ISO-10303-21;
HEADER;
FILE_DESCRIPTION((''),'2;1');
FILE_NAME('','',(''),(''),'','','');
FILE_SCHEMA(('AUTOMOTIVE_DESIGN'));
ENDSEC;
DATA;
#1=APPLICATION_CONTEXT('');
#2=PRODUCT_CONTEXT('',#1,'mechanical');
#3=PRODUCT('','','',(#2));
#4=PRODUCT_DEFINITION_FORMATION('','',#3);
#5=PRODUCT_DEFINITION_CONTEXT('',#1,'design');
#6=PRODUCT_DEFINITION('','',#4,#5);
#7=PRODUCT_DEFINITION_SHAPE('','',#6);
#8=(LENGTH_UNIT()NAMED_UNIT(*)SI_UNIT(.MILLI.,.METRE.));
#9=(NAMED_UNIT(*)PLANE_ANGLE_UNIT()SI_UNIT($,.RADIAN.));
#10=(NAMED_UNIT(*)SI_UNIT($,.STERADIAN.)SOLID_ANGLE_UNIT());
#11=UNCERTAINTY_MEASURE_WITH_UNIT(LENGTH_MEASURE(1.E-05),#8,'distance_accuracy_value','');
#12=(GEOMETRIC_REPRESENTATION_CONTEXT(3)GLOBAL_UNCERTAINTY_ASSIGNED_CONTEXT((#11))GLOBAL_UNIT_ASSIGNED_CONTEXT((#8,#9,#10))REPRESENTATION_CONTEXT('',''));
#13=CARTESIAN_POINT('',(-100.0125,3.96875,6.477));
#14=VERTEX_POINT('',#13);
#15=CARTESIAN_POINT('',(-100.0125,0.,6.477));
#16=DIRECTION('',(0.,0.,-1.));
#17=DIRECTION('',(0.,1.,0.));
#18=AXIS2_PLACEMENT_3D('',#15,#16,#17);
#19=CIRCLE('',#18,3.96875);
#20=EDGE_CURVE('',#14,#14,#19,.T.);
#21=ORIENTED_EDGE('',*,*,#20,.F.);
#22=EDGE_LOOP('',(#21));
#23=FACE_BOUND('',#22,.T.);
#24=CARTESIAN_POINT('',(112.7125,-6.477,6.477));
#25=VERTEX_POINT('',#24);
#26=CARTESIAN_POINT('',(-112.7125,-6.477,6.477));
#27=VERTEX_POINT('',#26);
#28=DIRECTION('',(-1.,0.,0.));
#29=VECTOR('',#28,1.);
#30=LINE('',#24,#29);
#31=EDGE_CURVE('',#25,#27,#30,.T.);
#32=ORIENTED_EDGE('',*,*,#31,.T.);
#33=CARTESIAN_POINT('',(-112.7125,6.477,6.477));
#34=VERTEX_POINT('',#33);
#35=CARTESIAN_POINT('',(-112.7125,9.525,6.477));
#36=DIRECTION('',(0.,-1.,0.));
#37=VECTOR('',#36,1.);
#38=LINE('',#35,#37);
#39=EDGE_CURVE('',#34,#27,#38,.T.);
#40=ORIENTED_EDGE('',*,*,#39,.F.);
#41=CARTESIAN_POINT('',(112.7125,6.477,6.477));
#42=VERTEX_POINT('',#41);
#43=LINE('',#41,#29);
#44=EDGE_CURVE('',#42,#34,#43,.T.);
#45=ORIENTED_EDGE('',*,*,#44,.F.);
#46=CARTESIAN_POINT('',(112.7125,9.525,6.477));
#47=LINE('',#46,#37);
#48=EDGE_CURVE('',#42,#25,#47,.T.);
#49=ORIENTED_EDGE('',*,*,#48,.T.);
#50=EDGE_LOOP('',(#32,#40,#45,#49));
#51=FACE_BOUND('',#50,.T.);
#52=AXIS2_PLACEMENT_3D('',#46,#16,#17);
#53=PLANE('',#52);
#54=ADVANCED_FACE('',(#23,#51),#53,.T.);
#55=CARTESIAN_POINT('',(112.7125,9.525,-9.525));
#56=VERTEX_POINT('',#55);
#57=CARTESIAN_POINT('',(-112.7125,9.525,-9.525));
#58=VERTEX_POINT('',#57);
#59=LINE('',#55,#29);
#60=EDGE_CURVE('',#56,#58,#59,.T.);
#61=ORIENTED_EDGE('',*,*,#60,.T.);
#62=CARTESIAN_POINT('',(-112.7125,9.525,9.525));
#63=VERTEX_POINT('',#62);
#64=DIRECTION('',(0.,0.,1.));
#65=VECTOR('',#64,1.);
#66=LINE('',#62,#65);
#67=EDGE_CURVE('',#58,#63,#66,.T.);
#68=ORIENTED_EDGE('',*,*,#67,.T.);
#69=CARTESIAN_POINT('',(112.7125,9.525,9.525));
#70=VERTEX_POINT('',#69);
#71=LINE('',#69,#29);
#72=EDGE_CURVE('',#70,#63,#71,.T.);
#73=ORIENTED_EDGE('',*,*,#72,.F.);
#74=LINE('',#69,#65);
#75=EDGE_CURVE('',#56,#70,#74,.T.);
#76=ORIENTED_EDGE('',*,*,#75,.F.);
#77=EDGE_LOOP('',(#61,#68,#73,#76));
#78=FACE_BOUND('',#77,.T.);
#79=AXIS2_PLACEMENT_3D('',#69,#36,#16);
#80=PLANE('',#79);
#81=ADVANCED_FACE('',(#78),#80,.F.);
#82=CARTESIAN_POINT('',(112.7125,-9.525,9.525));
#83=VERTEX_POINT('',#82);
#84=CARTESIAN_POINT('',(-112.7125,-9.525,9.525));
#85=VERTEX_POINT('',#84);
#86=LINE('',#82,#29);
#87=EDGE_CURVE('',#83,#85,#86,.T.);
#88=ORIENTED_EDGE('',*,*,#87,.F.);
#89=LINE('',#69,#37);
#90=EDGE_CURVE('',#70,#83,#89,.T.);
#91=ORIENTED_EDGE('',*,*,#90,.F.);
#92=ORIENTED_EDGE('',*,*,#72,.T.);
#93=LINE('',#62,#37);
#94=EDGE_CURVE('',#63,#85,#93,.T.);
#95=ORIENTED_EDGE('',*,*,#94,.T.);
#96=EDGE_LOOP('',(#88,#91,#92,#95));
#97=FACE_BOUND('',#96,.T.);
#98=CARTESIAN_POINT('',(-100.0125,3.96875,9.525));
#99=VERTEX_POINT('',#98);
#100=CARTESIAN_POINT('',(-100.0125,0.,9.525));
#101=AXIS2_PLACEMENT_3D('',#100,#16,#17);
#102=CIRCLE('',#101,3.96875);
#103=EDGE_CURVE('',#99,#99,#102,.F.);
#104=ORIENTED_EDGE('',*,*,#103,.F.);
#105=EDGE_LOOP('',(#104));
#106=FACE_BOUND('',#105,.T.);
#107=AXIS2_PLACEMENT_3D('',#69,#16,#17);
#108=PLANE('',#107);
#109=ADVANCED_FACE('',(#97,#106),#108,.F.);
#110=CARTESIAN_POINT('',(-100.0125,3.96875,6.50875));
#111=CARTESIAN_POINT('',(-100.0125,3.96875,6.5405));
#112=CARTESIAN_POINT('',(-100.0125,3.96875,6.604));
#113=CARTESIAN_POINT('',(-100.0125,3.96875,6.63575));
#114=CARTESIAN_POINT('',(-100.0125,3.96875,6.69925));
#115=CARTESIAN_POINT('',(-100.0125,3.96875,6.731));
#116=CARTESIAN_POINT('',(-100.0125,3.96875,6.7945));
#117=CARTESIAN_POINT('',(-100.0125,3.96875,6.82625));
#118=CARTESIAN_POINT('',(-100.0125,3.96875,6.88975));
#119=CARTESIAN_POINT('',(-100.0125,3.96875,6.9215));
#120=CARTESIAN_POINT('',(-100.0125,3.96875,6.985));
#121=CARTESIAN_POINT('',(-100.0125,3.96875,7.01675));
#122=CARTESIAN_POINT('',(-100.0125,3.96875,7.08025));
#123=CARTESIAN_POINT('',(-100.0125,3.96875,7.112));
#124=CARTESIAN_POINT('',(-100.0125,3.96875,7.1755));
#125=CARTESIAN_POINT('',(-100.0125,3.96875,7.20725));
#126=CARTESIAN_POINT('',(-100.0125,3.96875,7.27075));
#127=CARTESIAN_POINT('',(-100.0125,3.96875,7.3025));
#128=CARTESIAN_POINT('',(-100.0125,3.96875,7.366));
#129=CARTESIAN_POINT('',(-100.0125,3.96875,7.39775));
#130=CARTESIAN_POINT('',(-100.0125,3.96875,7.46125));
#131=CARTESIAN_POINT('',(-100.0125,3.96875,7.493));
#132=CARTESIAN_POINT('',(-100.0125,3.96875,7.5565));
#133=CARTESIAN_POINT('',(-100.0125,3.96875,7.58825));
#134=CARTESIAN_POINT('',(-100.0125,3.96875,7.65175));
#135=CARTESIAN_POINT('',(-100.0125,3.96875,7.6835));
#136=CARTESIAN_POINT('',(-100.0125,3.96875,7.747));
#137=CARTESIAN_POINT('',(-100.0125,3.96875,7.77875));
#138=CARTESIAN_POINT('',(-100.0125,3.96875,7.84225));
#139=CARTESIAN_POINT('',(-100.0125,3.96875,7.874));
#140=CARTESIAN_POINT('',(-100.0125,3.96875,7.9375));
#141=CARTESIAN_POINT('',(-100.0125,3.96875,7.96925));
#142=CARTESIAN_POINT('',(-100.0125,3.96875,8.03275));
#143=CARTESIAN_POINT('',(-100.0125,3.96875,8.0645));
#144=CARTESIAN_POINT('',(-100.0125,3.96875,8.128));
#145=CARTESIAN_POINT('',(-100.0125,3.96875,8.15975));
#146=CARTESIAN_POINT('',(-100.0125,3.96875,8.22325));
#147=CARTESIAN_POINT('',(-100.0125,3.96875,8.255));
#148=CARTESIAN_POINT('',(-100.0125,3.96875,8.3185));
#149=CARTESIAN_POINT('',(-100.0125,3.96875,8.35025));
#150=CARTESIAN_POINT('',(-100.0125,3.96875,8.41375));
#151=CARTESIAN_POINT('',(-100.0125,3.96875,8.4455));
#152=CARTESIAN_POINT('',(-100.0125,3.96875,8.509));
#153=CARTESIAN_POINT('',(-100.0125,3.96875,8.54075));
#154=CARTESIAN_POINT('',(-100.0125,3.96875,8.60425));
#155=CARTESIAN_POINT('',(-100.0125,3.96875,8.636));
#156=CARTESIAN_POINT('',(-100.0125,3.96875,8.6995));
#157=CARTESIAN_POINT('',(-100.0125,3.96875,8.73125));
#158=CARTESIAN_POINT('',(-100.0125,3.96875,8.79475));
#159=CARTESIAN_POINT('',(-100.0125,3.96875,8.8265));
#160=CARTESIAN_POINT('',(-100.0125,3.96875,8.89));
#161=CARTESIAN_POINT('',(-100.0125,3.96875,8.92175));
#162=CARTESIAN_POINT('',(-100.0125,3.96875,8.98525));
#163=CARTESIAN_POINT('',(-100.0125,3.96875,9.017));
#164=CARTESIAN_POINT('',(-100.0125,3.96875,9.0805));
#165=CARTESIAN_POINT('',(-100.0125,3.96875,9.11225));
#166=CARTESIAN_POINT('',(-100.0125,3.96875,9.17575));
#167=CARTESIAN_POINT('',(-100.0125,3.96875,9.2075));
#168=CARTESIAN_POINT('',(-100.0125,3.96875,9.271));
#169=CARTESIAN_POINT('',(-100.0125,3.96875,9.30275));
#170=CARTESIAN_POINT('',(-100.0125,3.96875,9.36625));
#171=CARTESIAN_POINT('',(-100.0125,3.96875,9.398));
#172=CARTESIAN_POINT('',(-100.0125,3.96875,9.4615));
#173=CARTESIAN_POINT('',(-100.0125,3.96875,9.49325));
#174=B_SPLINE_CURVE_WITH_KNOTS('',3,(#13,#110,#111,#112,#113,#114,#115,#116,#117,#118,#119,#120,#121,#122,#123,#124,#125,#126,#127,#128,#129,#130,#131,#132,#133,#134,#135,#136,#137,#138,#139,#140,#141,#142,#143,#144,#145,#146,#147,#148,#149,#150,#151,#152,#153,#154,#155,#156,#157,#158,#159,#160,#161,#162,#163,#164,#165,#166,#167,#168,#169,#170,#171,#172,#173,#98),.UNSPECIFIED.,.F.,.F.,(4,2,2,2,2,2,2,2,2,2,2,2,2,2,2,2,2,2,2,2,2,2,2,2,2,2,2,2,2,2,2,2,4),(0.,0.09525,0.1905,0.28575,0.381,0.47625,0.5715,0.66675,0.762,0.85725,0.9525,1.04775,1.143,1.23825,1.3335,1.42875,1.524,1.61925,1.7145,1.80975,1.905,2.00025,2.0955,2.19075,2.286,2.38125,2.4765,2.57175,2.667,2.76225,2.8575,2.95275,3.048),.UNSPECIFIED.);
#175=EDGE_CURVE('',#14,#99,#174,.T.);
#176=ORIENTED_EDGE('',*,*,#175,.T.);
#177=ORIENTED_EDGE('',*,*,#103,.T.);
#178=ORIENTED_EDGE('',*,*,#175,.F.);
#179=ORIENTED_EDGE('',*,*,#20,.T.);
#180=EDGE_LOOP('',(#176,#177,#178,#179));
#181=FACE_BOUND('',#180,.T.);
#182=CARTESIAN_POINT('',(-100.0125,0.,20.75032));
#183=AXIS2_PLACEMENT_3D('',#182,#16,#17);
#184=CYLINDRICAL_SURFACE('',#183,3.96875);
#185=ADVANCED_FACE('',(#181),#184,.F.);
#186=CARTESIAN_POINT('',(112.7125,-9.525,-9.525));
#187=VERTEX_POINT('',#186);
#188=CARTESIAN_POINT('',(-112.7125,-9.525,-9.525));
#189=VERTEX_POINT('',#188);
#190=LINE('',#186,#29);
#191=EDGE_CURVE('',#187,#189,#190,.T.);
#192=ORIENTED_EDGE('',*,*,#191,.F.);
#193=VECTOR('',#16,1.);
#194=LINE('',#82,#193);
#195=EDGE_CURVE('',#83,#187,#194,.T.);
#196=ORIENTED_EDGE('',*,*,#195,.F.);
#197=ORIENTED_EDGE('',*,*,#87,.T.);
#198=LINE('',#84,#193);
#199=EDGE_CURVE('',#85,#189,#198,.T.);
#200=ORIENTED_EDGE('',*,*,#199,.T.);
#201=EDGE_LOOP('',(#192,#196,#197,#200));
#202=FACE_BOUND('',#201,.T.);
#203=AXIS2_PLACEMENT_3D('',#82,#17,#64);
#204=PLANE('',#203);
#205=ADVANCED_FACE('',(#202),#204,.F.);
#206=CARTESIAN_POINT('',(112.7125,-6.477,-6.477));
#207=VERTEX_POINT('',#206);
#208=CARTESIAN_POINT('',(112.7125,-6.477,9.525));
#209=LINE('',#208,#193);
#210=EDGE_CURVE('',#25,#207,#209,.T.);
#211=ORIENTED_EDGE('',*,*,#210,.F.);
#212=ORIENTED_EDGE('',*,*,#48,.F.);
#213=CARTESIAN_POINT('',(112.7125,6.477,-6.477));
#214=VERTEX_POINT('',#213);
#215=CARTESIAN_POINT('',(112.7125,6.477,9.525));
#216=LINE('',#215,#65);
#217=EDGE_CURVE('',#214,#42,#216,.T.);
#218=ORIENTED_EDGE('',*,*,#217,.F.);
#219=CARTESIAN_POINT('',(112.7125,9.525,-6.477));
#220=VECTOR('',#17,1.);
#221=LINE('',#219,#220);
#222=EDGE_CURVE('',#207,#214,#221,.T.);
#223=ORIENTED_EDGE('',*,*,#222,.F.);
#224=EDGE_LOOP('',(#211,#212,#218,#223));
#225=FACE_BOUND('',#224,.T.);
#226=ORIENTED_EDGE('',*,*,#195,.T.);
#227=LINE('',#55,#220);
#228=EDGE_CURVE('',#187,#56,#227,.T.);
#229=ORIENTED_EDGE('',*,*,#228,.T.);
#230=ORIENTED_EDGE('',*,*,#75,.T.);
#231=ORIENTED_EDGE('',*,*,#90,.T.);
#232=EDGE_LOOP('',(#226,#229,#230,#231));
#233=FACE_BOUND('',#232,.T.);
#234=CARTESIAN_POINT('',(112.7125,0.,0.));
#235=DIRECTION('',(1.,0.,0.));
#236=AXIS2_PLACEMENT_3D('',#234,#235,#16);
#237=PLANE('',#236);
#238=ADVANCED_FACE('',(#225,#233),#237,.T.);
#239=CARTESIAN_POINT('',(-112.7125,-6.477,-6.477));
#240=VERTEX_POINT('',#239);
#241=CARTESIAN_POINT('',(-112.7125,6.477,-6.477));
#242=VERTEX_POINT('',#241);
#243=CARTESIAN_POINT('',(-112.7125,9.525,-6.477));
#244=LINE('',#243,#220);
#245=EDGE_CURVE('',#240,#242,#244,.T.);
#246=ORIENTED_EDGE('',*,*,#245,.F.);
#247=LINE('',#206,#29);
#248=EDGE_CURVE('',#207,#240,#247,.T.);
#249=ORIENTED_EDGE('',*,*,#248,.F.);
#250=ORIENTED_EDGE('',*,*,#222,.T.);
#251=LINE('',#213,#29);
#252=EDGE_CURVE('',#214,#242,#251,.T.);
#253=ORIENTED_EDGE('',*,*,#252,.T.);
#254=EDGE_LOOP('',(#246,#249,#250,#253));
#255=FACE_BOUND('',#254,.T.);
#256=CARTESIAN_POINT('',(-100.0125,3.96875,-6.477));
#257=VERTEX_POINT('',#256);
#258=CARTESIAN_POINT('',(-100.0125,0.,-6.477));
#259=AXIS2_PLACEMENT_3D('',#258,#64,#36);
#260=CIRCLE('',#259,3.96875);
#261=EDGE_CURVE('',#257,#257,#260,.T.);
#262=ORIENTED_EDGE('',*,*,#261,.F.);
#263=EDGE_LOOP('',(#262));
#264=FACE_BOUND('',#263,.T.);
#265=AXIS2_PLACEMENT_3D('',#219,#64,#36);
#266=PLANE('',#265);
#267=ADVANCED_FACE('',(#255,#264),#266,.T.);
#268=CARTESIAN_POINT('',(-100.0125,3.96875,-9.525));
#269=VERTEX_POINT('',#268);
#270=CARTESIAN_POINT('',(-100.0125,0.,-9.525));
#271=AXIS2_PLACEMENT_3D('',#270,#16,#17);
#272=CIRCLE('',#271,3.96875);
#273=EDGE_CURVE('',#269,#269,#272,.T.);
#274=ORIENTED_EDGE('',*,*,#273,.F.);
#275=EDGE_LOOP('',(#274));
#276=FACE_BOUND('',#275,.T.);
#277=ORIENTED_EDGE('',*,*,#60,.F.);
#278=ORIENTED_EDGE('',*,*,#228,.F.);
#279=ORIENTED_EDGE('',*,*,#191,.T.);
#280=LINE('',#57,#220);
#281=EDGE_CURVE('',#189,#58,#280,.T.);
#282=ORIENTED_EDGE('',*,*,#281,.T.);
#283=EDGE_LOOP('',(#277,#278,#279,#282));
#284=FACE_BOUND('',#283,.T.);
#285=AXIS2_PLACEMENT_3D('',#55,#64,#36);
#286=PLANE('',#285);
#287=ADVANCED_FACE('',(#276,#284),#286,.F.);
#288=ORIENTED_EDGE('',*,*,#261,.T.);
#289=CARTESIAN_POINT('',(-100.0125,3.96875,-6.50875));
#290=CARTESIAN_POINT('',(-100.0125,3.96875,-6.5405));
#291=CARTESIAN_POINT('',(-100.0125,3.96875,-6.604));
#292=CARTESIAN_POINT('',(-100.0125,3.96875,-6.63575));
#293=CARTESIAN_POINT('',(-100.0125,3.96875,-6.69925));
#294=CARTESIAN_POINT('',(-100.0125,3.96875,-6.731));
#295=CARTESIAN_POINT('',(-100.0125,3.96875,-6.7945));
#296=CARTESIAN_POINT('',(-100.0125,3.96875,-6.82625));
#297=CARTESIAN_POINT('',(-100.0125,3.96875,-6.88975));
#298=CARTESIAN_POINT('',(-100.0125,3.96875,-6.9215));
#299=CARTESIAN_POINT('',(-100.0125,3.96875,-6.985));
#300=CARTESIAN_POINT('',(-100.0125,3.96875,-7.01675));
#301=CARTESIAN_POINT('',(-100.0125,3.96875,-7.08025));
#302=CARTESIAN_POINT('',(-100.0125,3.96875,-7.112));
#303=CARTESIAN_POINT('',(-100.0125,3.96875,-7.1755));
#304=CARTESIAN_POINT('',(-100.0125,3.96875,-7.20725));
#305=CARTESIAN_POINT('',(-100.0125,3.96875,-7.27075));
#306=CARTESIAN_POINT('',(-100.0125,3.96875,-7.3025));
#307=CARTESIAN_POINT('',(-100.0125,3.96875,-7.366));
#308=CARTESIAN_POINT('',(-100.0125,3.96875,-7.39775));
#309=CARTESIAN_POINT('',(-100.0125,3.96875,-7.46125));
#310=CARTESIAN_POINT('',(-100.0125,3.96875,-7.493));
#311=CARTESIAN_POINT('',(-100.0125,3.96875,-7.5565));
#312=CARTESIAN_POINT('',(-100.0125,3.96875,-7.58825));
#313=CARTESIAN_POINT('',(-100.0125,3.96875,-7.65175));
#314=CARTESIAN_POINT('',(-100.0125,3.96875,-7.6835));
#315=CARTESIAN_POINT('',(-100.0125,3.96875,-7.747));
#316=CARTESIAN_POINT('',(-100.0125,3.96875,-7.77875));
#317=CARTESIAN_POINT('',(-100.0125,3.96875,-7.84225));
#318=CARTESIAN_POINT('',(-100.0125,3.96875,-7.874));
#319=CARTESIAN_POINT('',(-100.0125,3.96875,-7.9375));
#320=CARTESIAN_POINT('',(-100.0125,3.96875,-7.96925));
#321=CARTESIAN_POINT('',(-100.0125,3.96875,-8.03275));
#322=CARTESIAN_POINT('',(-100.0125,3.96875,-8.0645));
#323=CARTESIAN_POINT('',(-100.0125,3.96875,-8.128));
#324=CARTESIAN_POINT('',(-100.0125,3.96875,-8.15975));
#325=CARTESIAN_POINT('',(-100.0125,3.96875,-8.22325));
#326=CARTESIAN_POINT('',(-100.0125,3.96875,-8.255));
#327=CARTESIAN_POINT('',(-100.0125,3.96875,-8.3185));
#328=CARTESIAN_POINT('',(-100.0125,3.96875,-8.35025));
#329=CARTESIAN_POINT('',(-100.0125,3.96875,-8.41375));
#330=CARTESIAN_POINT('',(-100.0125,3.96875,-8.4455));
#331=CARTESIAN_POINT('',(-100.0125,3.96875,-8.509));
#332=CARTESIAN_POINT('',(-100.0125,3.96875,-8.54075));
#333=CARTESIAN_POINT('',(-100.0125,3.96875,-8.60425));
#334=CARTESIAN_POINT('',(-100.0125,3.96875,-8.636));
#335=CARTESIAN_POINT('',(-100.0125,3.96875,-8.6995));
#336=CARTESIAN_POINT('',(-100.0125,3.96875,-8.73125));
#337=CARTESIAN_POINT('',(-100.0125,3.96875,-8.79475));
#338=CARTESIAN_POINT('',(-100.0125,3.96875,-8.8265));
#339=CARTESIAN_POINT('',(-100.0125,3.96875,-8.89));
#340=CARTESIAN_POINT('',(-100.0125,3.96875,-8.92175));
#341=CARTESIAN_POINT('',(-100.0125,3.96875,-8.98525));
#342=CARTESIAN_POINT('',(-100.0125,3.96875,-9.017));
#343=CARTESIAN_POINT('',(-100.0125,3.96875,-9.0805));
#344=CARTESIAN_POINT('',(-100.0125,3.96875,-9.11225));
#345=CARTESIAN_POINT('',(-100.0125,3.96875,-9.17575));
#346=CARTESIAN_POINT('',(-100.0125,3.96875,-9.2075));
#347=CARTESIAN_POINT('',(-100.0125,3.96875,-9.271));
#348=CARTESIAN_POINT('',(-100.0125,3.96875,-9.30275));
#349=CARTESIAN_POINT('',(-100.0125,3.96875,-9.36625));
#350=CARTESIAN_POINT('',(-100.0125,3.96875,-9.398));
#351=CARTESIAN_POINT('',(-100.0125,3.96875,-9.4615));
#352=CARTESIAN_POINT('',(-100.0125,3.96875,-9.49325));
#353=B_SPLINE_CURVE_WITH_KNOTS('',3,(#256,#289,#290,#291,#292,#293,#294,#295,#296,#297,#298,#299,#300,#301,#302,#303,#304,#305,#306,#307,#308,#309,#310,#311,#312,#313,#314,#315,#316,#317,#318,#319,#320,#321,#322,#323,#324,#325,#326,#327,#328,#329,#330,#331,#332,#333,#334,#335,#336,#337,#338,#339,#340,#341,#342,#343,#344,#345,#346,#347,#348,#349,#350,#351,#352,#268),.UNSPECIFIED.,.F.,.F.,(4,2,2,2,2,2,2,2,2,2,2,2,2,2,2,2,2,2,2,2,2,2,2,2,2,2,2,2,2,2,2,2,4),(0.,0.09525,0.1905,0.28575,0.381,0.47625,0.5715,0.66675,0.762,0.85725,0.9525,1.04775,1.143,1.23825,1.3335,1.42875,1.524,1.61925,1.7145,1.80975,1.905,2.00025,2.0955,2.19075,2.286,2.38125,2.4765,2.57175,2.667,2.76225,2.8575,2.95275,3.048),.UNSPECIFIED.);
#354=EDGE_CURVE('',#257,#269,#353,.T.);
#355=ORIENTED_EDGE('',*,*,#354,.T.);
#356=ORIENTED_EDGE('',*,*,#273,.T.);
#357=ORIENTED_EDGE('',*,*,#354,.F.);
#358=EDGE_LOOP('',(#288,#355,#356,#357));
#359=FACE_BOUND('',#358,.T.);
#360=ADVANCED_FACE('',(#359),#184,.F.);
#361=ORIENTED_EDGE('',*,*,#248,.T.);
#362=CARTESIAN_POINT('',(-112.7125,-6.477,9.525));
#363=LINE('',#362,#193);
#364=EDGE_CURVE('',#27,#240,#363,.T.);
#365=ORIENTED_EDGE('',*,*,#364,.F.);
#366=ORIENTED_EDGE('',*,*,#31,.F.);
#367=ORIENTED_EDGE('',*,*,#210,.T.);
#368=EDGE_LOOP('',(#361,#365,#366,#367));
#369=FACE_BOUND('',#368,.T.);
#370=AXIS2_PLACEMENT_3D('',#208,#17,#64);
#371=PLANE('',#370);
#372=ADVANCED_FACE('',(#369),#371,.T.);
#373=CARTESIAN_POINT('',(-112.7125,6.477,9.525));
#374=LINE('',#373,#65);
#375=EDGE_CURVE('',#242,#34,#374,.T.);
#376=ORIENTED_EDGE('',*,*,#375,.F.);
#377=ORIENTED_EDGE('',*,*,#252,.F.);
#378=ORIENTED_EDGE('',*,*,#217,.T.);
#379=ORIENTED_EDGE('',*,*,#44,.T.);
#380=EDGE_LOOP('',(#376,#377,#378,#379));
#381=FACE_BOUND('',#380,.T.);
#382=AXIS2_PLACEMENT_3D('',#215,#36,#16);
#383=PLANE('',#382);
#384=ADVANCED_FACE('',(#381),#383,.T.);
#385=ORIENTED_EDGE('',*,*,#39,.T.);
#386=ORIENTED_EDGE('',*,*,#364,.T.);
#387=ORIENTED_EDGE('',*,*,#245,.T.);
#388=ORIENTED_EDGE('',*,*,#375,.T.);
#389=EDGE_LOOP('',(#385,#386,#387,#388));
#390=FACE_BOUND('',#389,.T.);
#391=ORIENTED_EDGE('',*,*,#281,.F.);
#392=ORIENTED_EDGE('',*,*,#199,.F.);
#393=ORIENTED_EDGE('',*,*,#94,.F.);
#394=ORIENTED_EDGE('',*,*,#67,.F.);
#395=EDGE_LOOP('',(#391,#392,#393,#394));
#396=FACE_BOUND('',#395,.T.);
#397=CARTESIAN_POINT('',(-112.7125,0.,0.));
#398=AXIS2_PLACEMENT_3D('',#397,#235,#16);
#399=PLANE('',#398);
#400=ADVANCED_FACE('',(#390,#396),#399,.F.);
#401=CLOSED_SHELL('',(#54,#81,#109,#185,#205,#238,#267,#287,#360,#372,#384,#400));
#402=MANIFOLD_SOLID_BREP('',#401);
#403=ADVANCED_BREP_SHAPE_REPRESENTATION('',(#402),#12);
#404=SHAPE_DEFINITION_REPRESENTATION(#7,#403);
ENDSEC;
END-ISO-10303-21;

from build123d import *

# Parameters (mm, degrees)
SKETCH1_W           = 19.05
SKETCH1_H           = 19.05
BOSS_EXTRUDE1_DEPTH = 112.7125
SHELL1_T            = -3.048
CUT_EXTRUDE2_REACH  = 116.707
SKETCH8_R           = 3.96875


with BuildPart() as part:
    # Sketch1 → Boss-Extrude1 (new, symmetric)
    with BuildSketch(Plane(origin=(0, 0, 0), x_dir=(0, 0, -1), z_dir=(1, 0, 0))):
        Rectangle(SKETCH1_W, SKETCH1_H)
    extrude(amount=BOSS_EXTRUDE1_DEPTH, both=True)

    # Shell1
    shell1_openings = [part.faces().sort_by_distance(p)[0] for p in [
        (112.7125, 0, 0),
        (-112.7125, 0, 0),
    ]]
    offset(amount=SHELL1_T, openings=shell1_openings, kind=Kind.INTERSECTION)

    # Cut-Extrude2: up to this face of the body (flat: up to its plane)
    cut_extrude2_end = Plane(part.part.faces().sort_by_distance((0, 0, 9.525))[0])
    # Sketch8 → Cut-Extrude2 (cut, up to the picked face)
    with BuildSketch(Plane(origin=(0, 0, -9.525), x_dir=(-1, 0, 0), z_dir=(0, 0, -1)), mode=Mode.PRIVATE) as cut_extrude2_sk1:
        with Locations(Location((100.0125, 0, 0), (0, 0, 90))):
            Circle(SKETCH8_R)
    cut_extrude2_tool1 = split(extrude(cut_extrude2_sk1.sketch, amount=-CUT_EXTRUDE2_REACH, mode=Mode.PRIVATE), bisect_by=cut_extrude2_end, keep=Keep.BOTH, mode=Mode.PRIVATE)
    add(cut_extrude2_tool1.solids().sort_by(Axis((-100.0125, 0, -9.525), (0, 0, 1)))[0], mode=Mode.SUBTRACT)


solid = part.part
